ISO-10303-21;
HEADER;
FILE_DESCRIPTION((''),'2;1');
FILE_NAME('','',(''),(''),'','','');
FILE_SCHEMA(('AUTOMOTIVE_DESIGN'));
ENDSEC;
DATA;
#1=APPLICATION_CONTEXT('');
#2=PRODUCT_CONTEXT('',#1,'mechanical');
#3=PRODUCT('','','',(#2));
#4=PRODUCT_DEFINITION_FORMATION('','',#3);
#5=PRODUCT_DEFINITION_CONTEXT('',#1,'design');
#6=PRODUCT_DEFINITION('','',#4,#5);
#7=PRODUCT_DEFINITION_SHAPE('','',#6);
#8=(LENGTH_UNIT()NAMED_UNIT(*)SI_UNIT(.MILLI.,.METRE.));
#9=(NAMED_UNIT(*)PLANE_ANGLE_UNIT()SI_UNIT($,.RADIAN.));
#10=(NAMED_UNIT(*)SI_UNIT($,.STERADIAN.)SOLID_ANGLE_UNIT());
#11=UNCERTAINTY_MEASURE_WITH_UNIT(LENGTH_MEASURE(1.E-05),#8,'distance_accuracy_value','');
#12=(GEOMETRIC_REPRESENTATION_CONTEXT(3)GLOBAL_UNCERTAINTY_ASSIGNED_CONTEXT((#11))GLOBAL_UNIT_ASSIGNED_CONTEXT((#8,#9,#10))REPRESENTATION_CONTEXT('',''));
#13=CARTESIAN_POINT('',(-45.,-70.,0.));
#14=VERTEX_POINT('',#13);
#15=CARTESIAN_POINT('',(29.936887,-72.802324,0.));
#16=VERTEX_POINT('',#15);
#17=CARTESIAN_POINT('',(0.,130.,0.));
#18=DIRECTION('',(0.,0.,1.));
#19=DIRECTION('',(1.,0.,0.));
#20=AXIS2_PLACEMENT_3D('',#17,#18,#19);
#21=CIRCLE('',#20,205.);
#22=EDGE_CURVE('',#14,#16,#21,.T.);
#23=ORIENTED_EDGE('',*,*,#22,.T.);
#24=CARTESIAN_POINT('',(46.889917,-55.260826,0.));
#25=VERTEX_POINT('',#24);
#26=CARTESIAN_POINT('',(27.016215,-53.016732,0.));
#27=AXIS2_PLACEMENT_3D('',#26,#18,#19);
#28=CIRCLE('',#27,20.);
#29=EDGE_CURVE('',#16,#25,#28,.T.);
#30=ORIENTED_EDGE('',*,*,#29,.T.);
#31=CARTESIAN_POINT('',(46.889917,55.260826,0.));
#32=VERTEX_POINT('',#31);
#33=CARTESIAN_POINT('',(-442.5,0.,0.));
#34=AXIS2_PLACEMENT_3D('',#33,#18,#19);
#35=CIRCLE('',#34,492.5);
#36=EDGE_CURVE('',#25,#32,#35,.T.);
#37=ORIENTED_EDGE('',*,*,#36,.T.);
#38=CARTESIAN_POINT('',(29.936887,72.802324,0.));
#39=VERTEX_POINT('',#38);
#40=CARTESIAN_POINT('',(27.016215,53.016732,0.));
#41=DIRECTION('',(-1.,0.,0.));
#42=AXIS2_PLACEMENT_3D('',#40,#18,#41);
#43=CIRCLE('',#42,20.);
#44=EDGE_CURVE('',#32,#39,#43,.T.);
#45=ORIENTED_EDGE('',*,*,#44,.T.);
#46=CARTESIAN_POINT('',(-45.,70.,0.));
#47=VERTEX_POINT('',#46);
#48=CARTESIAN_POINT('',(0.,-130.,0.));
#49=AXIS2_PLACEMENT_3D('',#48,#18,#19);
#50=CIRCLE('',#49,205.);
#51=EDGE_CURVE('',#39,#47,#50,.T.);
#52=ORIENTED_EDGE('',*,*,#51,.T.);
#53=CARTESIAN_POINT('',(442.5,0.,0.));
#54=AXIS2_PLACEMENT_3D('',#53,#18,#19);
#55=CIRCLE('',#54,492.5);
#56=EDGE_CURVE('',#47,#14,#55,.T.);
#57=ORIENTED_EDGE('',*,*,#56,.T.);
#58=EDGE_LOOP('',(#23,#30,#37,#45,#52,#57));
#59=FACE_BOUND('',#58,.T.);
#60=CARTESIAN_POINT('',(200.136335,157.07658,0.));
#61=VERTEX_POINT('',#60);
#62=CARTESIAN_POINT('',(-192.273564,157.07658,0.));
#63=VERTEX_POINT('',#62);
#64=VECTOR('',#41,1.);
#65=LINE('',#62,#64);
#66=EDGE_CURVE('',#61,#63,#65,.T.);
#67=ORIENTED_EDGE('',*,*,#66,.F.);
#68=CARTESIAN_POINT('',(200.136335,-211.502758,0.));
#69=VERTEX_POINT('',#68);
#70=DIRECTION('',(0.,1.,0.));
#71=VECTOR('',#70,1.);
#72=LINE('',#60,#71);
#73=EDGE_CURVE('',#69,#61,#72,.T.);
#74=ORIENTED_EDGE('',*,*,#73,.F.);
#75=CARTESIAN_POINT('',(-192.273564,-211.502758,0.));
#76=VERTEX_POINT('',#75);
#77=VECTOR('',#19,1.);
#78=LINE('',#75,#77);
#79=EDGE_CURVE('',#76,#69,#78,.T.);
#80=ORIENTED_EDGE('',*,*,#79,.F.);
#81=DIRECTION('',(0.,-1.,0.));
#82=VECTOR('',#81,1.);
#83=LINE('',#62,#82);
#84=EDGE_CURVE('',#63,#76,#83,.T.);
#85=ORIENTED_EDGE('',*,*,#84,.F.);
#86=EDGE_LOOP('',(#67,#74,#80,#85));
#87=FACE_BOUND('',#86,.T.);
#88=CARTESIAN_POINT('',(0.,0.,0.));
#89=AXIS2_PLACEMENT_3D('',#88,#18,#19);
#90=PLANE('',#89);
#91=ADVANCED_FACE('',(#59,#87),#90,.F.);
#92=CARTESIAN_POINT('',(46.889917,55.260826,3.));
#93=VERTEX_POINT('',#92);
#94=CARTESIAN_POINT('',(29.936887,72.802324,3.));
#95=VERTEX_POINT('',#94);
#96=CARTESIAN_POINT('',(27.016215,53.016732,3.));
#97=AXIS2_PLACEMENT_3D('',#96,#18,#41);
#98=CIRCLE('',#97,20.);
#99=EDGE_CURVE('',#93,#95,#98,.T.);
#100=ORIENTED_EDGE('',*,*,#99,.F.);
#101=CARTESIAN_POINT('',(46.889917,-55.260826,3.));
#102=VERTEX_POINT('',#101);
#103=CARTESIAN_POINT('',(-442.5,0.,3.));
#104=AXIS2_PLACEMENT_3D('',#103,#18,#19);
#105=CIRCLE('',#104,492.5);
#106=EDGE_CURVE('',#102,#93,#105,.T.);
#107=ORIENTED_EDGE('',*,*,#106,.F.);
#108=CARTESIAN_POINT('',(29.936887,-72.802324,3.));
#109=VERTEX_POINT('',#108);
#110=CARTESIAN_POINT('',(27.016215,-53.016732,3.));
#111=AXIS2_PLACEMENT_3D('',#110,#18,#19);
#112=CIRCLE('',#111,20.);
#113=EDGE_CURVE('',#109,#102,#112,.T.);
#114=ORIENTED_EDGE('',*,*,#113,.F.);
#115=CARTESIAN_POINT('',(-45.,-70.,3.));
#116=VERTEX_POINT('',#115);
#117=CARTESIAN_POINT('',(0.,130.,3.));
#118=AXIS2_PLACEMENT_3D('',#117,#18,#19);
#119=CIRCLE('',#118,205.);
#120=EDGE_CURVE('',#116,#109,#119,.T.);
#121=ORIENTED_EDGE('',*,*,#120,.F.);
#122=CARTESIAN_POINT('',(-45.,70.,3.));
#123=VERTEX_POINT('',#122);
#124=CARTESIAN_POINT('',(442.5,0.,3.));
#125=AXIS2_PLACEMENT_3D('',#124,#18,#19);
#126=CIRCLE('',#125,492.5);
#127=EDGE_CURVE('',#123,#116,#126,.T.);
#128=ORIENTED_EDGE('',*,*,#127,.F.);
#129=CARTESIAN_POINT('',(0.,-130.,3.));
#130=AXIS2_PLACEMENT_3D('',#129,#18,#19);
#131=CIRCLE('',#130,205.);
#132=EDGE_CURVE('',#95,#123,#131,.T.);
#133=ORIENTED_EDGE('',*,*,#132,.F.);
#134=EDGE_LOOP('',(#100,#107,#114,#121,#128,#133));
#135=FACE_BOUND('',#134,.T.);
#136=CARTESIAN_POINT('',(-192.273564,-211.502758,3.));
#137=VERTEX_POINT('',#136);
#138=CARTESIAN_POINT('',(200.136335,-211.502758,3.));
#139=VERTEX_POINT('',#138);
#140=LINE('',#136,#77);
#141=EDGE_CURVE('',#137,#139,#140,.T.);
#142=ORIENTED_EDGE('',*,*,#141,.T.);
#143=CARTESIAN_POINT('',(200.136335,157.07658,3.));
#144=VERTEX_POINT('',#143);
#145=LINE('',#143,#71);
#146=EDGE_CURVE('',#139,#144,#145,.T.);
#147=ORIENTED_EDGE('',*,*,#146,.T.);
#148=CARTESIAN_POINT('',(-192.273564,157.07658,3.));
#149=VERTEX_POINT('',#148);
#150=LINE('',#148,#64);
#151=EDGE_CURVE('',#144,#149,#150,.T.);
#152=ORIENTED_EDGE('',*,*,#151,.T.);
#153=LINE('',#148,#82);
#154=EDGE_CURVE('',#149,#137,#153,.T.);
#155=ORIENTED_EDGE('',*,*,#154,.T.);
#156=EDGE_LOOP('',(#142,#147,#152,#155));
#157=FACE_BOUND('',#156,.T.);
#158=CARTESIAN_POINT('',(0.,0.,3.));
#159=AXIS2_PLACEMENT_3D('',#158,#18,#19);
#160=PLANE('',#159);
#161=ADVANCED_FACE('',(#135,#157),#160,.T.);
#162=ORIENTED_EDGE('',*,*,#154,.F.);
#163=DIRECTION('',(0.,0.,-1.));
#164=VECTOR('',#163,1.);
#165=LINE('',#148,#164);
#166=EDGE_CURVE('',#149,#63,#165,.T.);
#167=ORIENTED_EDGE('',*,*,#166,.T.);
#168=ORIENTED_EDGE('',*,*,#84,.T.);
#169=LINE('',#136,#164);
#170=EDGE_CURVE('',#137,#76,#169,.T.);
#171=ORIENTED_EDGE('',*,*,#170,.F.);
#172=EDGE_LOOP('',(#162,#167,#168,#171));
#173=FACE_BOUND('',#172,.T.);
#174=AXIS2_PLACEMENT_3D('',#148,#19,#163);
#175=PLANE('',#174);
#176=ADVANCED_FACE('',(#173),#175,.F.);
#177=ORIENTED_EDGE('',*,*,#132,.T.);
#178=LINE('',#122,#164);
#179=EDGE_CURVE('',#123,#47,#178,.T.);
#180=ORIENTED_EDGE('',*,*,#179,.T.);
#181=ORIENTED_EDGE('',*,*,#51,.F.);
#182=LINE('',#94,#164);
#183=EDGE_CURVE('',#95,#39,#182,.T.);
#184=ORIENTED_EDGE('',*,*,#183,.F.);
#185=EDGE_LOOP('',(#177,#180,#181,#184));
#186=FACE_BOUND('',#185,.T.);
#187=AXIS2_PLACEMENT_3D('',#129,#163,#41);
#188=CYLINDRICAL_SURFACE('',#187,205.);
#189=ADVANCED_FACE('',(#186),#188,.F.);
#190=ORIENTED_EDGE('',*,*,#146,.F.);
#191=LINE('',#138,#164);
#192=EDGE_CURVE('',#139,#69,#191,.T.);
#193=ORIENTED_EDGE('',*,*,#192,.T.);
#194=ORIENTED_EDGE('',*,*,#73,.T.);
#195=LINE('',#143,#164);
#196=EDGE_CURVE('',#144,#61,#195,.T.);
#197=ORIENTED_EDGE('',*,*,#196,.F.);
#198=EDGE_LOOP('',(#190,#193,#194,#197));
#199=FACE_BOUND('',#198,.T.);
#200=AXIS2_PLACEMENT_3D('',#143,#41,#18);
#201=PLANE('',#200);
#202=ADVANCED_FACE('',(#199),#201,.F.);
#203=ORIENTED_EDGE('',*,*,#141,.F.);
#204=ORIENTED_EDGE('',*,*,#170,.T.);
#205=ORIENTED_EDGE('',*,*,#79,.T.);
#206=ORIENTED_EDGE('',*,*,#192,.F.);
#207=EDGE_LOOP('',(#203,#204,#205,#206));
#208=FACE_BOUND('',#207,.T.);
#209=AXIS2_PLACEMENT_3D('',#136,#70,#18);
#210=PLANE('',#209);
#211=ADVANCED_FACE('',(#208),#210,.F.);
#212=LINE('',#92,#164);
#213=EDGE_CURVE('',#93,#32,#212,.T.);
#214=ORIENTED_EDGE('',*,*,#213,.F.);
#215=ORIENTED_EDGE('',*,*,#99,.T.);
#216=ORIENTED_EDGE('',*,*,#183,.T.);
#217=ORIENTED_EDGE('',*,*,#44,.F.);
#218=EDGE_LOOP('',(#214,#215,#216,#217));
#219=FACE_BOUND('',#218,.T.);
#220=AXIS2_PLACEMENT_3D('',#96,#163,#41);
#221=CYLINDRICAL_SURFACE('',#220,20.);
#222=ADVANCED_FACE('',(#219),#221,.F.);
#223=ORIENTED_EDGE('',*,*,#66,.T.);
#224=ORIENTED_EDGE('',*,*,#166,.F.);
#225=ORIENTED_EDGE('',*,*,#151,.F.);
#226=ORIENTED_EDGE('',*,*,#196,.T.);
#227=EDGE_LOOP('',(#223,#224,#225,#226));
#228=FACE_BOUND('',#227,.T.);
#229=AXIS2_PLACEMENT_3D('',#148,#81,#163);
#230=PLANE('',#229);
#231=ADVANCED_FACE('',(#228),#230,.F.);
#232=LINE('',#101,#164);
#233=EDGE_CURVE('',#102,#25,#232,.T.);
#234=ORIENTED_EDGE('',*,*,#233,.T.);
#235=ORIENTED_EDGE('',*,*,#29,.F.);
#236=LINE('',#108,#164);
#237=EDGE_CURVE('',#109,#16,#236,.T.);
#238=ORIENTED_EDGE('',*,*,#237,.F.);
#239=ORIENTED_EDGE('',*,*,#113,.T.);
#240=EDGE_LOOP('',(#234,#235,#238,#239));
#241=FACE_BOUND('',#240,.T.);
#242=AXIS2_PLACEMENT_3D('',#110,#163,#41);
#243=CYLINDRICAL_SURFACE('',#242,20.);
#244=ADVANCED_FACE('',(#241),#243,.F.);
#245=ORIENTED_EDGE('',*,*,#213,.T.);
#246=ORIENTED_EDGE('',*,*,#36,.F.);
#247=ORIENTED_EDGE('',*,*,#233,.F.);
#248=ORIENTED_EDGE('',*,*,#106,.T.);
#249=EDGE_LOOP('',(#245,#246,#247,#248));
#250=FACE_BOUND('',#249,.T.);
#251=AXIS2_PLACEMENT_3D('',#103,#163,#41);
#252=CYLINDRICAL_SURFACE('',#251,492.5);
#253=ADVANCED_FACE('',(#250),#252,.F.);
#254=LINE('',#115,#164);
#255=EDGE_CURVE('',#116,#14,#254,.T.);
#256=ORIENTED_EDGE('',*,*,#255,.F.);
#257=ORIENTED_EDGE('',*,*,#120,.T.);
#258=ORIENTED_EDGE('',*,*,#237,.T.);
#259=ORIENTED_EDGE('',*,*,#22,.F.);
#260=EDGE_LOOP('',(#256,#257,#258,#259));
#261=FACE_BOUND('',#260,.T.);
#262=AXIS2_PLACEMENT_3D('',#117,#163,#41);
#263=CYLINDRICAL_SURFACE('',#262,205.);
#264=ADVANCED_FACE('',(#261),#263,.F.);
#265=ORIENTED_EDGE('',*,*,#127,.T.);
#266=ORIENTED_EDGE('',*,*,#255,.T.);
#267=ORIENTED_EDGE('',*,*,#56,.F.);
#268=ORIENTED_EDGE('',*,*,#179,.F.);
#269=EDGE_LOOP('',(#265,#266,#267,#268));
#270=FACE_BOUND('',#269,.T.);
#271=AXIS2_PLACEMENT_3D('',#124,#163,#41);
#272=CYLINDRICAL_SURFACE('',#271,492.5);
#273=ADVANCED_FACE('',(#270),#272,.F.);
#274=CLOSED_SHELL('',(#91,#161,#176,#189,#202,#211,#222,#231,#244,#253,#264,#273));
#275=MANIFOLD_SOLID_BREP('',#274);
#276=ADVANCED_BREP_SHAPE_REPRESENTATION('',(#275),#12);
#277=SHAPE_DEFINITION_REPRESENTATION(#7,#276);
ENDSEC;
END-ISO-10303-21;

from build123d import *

# Parameters (mm, degrees)
SKIZZE1_W                       = 392.409898916
SKIZZE1_H                       = 368.579338253
AUFSATZ_LINEAR_AUSTRAGEN1_DEPTH = 3


with BuildPart() as part:
    # Skizze1 → Aufsatz-Linear austragen1 (new body)
    with BuildSketch(Plane.XY):
        with Locations((3.931385317, -27.213089131)):
            Rectangle(SKIZZE1_W, SKIZZE1_H)
        with BuildLine():
            ThreePointArc((29.936886891, 72.802324452), (-7.660783232, 74.856809504), (-45, 70))
            ThreePointArc((-45, 70), (-50, 0), (-45, -70))
            ThreePointArc((-45, -70), (-7.660783232, -74.856809504), (29.936886891, -72.802324452))
            ThreePointArc((29.936886891, -72.802324452), (41.39751926, -66.915583853), (46.889917221, -55.260826292))
            ThreePointArc((46.889917221, -55.260826292), (50, 0), (46.889917221, 55.260826292))
            ThreePointArc((46.889917221, 55.260826292), (41.39751926, 66.915583853), (29.936886891, 72.802324452))
        make_face(mode=Mode.SUBTRACT)
    extrude(amount=AUFSATZ_LINEAR_AUSTRAGEN1_DEPTH)


solid = part.part
